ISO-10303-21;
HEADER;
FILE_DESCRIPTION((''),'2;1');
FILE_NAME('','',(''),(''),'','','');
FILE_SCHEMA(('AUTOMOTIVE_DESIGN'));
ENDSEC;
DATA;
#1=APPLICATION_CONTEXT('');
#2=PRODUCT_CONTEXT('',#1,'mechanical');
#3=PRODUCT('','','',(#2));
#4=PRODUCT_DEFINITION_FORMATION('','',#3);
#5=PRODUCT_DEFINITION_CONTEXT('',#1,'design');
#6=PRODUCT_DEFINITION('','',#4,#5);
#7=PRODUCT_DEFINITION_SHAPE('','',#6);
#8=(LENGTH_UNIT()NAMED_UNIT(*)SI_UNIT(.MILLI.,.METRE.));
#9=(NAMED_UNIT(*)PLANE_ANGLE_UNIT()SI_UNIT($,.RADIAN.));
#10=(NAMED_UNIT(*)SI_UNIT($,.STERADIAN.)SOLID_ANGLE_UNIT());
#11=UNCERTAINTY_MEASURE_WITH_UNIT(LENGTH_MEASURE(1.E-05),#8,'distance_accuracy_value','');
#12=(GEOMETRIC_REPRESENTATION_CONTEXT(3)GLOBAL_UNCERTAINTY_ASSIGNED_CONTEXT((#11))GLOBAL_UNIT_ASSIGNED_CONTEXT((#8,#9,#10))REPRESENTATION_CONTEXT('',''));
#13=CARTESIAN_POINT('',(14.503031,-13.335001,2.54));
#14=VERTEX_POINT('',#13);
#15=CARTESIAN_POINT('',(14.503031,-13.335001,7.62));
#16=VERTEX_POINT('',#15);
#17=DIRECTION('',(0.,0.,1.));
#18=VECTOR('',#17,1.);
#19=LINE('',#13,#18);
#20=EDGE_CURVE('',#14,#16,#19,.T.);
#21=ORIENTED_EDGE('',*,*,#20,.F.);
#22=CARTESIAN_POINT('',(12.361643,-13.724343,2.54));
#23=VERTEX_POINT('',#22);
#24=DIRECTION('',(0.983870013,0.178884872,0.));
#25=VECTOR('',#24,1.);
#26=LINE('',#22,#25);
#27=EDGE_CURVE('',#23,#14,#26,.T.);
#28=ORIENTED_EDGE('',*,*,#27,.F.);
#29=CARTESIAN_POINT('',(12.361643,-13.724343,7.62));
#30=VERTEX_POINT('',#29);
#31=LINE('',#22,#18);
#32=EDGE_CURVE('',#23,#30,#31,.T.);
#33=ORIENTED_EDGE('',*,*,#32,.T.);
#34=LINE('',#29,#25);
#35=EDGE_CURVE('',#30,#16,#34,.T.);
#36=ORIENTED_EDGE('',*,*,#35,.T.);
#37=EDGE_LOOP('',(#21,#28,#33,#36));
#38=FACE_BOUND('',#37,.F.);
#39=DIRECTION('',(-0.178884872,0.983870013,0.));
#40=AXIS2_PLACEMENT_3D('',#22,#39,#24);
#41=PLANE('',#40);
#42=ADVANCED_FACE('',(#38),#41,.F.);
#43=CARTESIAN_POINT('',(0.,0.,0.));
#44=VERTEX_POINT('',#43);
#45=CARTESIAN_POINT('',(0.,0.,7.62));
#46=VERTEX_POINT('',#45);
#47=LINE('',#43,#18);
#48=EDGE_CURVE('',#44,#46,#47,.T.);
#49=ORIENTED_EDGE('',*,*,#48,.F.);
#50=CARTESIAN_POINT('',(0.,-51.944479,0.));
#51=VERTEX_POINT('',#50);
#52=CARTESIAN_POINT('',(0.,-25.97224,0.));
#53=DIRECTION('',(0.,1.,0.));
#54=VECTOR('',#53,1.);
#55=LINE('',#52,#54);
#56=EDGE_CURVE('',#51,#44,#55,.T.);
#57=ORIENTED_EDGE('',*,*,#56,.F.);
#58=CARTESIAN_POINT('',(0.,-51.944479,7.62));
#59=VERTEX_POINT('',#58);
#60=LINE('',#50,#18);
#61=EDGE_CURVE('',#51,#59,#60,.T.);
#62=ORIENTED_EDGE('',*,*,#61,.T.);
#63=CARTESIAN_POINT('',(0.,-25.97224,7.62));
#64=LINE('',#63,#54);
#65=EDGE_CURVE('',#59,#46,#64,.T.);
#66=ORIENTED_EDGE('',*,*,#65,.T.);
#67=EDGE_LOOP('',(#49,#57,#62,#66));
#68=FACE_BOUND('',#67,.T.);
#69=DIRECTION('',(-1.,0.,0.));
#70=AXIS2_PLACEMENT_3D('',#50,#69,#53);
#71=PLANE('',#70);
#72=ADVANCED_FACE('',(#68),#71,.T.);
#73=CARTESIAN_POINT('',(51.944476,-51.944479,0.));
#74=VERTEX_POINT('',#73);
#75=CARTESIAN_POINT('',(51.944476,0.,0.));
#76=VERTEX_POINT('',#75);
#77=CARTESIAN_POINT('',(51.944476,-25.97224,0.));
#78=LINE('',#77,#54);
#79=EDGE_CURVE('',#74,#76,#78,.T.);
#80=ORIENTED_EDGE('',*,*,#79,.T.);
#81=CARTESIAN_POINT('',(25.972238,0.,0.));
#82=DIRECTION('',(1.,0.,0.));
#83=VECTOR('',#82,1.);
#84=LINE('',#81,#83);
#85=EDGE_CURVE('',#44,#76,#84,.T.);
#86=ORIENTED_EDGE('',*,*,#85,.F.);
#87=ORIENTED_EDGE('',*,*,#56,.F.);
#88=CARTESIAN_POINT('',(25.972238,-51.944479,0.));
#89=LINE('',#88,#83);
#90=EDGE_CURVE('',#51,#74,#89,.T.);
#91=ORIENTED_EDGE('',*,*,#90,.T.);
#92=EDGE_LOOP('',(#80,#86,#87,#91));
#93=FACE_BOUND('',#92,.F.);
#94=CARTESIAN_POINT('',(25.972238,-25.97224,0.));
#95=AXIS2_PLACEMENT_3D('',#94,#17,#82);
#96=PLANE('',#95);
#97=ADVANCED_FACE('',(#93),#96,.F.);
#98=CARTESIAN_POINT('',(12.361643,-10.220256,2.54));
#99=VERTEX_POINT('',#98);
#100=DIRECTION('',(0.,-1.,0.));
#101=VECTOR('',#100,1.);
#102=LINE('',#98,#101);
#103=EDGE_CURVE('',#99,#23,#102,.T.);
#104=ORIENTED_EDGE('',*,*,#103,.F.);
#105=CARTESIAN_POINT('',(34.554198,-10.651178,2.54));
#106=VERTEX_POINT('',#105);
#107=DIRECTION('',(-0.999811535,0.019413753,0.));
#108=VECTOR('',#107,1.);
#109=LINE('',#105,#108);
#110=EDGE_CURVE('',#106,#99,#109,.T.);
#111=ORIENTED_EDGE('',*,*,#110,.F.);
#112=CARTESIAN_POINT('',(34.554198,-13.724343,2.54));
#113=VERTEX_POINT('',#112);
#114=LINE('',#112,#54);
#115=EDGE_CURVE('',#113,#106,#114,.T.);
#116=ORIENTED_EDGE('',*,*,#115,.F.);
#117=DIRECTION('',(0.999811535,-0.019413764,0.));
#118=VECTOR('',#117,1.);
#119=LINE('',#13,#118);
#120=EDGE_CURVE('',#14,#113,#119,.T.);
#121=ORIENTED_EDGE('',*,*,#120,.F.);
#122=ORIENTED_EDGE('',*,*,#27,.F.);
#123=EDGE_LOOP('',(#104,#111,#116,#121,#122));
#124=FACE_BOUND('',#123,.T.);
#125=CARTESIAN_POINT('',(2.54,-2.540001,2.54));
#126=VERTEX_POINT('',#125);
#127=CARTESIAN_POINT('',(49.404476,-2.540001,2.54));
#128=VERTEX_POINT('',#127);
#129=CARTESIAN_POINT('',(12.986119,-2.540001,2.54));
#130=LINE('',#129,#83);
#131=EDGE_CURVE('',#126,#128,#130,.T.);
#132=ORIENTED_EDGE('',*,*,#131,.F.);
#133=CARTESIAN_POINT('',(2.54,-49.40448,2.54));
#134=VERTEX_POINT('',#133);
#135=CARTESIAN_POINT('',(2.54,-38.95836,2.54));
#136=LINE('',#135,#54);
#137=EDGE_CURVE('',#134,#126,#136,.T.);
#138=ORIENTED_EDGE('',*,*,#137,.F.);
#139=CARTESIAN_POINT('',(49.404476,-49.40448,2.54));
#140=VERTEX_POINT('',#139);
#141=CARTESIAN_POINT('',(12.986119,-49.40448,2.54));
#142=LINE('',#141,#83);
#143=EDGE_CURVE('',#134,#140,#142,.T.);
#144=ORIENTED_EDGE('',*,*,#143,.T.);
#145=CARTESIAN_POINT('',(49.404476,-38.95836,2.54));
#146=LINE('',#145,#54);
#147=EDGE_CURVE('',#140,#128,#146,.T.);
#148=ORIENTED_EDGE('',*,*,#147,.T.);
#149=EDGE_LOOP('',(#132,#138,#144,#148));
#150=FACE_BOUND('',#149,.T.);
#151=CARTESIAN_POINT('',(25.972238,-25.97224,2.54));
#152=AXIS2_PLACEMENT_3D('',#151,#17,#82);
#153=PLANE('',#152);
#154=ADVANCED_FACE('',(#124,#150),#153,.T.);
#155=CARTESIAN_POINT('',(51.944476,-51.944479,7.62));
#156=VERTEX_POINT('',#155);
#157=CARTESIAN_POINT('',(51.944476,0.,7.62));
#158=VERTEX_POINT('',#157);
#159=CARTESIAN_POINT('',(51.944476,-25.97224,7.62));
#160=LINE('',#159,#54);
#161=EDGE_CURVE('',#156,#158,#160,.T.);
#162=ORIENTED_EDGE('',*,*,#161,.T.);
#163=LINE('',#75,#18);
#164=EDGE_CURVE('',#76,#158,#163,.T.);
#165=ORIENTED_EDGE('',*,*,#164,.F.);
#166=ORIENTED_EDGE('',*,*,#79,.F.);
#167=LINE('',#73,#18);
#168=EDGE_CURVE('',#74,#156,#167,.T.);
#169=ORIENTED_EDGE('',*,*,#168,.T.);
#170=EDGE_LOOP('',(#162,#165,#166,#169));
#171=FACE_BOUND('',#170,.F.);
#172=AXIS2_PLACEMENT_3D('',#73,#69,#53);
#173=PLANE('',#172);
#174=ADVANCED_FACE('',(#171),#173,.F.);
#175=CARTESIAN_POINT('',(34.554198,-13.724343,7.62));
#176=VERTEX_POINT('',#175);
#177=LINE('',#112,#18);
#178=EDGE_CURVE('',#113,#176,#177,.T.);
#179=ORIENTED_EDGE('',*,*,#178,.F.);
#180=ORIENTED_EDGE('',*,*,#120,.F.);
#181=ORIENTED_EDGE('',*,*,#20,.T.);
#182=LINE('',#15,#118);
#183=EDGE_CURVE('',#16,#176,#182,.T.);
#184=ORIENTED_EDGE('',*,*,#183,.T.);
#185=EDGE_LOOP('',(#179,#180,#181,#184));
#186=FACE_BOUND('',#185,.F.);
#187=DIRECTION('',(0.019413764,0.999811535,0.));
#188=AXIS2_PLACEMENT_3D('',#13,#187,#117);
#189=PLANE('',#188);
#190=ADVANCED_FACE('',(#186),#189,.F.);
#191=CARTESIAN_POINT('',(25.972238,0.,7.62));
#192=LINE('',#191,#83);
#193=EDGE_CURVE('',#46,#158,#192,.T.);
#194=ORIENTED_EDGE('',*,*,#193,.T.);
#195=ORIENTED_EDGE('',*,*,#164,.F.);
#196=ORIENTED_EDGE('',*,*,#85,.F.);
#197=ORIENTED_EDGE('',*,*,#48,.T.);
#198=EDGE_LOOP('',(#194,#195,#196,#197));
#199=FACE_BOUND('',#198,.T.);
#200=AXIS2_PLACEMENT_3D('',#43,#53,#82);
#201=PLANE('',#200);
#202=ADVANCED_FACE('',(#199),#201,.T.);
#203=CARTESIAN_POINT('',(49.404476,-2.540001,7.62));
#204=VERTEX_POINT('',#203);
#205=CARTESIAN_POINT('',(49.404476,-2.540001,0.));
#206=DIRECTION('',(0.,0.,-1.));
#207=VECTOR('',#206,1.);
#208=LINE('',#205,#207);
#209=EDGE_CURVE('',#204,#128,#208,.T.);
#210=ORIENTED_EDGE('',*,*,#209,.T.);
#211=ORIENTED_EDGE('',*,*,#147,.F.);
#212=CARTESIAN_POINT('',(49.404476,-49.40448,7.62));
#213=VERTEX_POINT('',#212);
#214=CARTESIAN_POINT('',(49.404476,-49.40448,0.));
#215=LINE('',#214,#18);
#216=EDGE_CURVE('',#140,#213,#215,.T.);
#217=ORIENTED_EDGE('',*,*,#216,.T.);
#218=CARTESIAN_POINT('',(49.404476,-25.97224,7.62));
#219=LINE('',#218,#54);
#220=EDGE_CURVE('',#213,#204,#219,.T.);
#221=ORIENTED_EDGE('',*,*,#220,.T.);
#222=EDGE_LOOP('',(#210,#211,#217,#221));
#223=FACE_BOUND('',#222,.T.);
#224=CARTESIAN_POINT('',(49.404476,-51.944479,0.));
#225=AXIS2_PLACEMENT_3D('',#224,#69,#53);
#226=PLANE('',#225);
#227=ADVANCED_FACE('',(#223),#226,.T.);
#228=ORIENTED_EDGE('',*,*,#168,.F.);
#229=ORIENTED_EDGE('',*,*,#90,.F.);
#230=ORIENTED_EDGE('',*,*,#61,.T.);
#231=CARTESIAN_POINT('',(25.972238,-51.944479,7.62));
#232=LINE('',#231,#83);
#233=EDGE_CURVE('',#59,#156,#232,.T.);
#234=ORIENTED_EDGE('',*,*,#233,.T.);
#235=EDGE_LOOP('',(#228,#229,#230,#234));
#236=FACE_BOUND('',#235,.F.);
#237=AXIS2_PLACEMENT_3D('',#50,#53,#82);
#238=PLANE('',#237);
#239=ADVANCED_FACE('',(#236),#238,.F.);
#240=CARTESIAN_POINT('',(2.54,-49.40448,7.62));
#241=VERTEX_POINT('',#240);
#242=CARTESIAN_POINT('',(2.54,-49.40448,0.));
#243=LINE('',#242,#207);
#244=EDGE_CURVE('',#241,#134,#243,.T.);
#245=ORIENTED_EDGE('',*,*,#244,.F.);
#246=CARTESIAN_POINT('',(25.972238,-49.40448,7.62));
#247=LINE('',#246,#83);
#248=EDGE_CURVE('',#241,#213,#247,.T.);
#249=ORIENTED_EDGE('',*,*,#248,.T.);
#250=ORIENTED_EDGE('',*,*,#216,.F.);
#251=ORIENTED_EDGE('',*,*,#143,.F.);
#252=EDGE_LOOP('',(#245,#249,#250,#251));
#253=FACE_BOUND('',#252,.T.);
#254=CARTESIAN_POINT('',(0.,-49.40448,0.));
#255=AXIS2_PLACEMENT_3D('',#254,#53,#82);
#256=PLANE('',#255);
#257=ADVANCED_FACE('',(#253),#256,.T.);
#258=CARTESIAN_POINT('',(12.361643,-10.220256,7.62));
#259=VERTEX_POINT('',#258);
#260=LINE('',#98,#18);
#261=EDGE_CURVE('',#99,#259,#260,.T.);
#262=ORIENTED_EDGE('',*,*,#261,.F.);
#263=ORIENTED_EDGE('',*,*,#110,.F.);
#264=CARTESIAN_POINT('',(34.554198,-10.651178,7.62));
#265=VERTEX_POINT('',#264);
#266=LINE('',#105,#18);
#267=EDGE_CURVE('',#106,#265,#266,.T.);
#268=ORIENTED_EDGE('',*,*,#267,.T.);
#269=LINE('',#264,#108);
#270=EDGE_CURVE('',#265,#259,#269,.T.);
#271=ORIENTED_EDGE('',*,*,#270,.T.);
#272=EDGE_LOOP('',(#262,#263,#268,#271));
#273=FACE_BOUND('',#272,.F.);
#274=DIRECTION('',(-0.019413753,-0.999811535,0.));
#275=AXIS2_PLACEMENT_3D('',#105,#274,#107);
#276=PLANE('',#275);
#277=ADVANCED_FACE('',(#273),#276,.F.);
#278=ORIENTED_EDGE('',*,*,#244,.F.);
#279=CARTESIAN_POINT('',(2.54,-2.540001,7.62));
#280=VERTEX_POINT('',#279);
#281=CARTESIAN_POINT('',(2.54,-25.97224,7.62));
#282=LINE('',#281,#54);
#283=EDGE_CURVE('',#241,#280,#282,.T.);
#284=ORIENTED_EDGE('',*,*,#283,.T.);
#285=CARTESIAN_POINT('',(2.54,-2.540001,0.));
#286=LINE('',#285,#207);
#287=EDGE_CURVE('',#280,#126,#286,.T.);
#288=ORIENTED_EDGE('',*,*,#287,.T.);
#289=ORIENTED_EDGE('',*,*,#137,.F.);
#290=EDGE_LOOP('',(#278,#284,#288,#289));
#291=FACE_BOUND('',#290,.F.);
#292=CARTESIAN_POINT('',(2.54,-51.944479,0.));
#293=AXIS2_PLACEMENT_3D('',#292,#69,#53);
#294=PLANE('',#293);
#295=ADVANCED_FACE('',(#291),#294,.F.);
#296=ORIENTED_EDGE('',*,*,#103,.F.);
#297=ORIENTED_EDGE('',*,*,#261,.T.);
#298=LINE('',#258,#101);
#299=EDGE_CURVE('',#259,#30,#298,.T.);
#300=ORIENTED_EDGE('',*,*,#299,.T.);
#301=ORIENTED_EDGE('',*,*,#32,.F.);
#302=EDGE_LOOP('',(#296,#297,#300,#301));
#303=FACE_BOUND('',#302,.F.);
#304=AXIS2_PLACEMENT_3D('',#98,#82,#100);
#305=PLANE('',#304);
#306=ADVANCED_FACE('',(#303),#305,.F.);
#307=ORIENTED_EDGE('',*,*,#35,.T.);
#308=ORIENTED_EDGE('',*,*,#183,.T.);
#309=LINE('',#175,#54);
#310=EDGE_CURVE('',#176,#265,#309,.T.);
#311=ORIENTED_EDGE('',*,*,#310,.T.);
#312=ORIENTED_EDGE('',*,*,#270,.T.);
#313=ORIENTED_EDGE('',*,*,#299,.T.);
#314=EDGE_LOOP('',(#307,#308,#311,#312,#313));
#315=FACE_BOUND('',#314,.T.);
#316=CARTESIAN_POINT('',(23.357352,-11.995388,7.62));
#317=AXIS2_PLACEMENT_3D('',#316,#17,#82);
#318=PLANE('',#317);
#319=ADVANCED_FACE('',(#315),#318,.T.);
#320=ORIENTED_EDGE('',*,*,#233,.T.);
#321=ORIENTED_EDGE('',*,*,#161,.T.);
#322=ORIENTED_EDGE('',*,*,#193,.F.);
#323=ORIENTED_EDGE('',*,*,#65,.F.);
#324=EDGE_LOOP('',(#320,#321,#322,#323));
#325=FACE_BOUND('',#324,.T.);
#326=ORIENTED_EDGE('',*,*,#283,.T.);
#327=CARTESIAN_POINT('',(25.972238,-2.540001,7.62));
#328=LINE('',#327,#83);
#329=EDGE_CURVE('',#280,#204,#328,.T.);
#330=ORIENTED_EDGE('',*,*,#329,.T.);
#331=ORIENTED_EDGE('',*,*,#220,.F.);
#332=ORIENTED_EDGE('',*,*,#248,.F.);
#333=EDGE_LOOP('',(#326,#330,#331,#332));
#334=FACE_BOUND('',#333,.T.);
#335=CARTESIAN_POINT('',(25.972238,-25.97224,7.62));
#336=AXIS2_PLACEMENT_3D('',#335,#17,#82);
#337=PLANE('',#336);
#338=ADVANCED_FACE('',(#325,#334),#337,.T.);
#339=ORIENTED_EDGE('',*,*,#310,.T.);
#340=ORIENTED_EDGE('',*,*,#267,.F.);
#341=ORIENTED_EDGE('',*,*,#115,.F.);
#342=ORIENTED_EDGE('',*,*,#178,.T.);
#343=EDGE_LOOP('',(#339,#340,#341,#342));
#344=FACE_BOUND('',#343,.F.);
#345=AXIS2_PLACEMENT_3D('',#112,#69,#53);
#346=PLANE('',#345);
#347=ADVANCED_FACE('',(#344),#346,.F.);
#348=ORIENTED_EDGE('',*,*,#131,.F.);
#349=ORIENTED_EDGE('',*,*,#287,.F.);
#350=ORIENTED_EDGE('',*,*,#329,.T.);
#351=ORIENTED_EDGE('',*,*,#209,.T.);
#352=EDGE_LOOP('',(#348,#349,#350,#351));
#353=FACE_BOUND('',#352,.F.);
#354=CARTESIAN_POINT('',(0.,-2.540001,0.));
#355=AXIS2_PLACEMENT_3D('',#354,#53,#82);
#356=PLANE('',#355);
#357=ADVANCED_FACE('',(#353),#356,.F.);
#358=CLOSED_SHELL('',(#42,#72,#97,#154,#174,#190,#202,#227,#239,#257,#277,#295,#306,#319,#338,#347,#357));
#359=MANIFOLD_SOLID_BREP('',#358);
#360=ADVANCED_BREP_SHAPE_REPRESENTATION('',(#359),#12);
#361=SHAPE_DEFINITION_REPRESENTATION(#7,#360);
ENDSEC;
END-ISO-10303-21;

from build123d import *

# Parameters (mm, degrees)
F0_W     = 51.944476
F0_H     = 51.944479
F1_DEPTH = 7.62
F2_T     = -2.54
F5_DEPTH = 5.08


with BuildPart() as f1:
    # F0 (on Top) → F1 (new body)
    with BuildSketch(Plane.XY):
        with Locations((25.972238, -25.97224)):
            Rectangle(F0_W, F0_H)
    extrude(amount=F1_DEPTH)

    # F2
    f2_openings = [f1.faces().sort_by_distance(p)[0] for p in [
        (25.972238, -25.97224, 7.62),
    ]]
    offset(amount=F2_T, openings=f2_openings)

    # F3 (on face) → F5 (join)
    with BuildSketch(Plane.XY.offset(2.54)):
        Polygon((12.361643, -13.724343), (14.503031, -13.335001), (34.554198, -13.724343), (34.554198, -10.651178), (12.361643, -10.220256), align=None)
    extrude(amount=F5_DEPTH)


solid = f1.part
